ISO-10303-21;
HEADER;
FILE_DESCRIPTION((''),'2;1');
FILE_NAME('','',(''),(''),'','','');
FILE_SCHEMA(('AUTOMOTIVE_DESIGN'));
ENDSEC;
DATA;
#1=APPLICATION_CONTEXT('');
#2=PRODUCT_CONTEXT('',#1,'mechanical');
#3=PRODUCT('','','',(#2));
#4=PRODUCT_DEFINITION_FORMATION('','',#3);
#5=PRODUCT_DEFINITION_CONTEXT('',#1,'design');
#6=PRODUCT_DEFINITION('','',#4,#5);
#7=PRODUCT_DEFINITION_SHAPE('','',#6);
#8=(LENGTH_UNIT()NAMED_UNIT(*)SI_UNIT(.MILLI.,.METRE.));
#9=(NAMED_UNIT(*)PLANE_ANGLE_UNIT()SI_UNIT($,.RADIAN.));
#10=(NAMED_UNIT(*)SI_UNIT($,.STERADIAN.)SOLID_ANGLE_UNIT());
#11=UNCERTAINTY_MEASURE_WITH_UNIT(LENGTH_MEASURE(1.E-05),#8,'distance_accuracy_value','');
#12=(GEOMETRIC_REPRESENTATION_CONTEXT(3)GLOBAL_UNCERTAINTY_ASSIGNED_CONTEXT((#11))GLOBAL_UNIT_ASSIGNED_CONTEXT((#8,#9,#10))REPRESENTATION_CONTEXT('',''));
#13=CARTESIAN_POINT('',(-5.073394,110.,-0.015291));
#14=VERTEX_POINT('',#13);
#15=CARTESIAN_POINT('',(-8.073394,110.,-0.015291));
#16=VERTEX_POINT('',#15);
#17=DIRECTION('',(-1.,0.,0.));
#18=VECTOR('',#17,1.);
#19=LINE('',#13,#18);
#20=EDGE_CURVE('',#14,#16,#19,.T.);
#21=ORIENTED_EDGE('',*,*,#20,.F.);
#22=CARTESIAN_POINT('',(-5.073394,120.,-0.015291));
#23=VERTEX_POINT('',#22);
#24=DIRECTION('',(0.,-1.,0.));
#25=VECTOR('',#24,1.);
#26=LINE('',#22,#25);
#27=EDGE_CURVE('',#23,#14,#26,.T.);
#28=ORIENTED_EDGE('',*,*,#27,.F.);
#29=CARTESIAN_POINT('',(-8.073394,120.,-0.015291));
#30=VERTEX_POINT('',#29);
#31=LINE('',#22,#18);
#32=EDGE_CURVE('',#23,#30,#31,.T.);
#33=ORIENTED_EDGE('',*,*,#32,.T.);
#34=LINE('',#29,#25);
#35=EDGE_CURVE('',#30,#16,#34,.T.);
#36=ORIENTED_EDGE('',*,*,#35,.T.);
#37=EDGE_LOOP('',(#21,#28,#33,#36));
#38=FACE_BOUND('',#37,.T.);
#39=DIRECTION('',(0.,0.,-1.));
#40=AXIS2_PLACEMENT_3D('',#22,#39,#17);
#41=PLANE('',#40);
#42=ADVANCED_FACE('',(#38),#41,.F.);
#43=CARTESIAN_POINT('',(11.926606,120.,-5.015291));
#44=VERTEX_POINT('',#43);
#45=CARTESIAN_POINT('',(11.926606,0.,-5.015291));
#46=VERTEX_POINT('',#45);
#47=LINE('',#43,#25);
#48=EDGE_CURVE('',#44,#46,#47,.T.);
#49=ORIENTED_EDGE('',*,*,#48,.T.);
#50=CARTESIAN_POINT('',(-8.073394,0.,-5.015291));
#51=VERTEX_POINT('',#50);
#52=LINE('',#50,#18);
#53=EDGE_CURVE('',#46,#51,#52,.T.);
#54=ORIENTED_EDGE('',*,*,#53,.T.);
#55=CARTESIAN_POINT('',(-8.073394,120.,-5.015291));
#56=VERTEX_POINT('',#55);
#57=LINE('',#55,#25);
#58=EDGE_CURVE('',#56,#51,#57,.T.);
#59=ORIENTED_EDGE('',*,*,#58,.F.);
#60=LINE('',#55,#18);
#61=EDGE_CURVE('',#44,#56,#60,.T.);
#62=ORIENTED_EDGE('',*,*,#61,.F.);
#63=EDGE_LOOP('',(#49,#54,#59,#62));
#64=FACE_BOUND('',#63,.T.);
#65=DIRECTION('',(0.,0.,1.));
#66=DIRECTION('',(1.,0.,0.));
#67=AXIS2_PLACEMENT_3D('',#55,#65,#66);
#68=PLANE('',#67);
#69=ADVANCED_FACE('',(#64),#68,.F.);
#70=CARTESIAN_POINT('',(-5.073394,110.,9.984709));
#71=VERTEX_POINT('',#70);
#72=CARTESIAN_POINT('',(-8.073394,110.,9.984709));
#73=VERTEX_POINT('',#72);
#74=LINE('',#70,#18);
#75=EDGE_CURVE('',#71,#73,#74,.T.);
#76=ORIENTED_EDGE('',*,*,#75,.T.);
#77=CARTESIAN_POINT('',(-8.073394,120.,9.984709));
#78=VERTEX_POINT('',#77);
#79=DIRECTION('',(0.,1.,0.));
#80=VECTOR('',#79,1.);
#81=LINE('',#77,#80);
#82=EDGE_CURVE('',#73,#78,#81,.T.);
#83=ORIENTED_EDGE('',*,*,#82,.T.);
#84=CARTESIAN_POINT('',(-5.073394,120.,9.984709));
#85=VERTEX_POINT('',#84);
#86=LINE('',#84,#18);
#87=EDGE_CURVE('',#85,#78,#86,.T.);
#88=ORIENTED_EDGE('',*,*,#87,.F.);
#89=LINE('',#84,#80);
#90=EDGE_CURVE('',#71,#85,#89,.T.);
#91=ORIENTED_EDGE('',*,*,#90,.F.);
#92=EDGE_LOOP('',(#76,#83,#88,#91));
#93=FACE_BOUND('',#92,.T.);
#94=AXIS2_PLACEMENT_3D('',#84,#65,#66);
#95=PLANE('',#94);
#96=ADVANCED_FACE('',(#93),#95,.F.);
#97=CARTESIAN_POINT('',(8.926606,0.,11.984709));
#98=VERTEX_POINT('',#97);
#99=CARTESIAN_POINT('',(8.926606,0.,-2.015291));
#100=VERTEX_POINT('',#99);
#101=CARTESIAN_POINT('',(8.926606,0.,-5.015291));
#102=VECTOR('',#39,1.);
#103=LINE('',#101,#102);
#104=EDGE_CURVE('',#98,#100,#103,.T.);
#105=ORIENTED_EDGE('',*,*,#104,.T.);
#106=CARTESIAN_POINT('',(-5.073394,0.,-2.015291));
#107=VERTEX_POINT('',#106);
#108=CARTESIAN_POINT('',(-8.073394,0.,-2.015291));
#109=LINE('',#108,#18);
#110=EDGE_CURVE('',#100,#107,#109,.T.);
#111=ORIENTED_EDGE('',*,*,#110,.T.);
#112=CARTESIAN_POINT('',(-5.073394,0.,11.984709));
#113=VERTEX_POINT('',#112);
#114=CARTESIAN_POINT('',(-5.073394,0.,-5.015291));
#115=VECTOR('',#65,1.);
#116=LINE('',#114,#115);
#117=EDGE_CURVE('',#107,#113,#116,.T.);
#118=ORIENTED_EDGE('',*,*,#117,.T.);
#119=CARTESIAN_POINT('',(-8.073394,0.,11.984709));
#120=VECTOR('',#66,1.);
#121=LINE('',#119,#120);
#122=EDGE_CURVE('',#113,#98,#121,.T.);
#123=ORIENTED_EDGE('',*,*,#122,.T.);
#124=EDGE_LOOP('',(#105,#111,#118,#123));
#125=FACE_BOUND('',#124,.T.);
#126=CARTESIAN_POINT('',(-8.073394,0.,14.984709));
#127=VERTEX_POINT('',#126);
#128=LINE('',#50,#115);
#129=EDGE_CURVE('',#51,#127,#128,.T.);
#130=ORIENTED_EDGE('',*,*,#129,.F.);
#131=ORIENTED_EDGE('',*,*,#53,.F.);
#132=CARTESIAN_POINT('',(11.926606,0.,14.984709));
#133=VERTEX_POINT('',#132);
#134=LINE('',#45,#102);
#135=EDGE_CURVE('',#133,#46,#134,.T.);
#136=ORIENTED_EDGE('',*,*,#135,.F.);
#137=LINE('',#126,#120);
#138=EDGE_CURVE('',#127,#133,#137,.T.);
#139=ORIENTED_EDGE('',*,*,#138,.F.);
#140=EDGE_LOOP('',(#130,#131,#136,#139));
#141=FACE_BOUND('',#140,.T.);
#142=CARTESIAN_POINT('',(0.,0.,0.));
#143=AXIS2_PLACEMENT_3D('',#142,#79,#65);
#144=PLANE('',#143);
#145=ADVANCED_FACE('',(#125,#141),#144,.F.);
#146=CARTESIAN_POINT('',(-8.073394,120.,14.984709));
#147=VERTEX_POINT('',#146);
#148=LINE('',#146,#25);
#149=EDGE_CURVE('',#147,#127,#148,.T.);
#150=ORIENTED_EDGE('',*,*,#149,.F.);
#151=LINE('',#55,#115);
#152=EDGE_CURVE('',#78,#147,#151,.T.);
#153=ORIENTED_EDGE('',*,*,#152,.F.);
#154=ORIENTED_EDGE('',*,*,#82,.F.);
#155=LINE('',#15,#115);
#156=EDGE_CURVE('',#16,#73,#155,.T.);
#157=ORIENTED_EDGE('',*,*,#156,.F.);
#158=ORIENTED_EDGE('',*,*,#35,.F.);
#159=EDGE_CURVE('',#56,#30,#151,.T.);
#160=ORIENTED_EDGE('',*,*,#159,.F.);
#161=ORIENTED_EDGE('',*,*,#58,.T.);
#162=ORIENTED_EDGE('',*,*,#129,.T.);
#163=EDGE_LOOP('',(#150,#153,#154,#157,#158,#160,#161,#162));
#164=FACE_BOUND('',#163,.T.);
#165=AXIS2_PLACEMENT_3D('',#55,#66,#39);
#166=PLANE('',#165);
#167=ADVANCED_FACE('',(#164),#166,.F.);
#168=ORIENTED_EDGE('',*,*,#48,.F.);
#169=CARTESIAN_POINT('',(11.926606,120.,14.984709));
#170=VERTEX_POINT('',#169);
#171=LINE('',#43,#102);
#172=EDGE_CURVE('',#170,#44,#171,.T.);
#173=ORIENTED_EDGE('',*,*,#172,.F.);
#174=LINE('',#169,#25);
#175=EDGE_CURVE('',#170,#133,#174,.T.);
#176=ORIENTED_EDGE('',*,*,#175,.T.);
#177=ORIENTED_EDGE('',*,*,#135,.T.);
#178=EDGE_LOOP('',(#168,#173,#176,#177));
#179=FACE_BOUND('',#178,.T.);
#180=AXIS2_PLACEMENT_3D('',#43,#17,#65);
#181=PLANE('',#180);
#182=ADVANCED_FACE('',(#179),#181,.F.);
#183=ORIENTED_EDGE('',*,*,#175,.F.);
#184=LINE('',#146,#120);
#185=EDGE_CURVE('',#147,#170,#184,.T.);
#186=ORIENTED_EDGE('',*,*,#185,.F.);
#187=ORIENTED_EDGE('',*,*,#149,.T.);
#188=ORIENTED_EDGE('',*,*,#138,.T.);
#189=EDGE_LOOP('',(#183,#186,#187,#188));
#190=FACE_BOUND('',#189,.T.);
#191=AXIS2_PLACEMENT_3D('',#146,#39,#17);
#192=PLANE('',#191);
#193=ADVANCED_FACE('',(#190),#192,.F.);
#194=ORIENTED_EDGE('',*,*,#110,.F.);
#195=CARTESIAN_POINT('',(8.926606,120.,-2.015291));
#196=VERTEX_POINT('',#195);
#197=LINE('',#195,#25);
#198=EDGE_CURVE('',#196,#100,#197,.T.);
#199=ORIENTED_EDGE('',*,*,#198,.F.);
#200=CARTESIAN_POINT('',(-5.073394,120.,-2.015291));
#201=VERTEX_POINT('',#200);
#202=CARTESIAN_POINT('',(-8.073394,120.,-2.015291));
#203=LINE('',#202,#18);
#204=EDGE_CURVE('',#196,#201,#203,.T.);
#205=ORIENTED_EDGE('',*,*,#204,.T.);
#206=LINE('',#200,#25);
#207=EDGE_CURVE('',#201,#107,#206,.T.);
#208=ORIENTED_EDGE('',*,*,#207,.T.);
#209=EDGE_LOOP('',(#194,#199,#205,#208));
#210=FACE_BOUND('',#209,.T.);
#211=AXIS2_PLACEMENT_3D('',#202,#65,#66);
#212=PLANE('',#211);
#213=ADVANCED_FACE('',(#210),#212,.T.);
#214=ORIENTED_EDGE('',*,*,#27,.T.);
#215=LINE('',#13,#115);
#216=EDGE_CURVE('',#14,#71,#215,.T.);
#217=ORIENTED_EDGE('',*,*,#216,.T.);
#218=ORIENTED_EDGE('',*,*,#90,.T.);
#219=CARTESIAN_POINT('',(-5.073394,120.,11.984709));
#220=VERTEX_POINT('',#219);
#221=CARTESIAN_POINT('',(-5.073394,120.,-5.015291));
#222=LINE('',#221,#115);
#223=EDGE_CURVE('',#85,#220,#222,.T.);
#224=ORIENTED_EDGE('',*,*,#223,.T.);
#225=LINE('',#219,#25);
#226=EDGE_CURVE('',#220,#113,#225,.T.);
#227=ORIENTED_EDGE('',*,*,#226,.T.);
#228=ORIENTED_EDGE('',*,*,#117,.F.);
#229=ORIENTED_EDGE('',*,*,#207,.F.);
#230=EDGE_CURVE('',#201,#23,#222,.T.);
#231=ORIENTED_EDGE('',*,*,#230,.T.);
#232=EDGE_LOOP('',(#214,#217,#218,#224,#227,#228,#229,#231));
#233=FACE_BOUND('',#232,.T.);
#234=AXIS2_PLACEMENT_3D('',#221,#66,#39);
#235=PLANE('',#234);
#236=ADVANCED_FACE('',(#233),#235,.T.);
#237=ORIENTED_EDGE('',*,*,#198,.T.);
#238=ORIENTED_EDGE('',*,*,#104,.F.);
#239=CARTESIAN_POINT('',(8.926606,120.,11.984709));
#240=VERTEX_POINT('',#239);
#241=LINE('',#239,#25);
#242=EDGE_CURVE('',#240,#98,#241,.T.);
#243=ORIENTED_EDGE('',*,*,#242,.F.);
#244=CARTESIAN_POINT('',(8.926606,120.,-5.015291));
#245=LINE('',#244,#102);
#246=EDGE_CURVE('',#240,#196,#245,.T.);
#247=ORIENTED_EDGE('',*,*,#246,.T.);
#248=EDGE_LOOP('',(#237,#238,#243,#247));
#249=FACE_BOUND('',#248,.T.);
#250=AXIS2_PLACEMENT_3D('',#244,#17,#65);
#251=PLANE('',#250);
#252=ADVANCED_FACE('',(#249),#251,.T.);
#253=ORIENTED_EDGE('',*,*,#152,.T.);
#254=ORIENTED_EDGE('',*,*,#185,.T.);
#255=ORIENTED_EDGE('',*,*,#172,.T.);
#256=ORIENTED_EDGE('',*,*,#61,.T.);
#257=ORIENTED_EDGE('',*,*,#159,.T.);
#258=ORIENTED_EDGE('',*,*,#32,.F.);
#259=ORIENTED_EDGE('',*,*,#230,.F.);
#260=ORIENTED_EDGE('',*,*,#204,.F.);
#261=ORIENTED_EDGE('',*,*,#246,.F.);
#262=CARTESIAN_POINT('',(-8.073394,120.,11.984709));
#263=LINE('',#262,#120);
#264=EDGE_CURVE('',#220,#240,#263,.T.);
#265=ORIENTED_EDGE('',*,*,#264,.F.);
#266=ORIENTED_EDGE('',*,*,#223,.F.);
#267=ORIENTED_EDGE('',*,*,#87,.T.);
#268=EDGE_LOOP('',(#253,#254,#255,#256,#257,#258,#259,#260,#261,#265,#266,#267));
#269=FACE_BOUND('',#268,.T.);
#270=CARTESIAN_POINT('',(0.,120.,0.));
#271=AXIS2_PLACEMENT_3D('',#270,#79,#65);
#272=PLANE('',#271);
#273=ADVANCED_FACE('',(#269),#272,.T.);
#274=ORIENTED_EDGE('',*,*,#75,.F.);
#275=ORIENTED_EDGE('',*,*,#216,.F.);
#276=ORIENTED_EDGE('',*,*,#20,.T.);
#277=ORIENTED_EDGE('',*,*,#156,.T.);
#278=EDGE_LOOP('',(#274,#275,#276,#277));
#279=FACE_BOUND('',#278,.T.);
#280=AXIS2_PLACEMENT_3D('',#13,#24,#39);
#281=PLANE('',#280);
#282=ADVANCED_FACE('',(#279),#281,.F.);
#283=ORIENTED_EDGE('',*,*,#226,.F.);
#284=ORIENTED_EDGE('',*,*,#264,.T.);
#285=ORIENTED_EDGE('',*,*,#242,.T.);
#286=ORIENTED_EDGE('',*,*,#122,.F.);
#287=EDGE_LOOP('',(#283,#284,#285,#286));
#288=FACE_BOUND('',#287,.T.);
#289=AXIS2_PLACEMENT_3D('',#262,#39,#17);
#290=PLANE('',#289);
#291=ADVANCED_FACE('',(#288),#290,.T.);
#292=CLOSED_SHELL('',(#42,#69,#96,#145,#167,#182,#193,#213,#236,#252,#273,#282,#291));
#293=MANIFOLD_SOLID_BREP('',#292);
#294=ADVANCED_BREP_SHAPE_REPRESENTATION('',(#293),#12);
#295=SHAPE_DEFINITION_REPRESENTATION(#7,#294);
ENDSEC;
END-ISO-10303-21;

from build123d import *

# Parameters (mm, degrees)
SKETCH1_W           = 20
SKETCH1_H           = 20
BOSS_EXTRUDE1_DEPTH = 120
SHELL1_T            = -3
SKETCH2_W           = 10
SKETCH2_H           = 10
CUT_EXTRUDE1_DEPTH  = 3


with BuildPart() as part:
    # Sketch1 → Boss-Extrude1 (new body)
    with BuildSketch(Plane(origin=(0, 0, 0), x_dir=(1, 0, 0), z_dir=(0, 1, 0))):
        with Locations((1.926605505, -4.98470948)):
            Rectangle(SKETCH1_W, SKETCH1_H)
    extrude(amount=BOSS_EXTRUDE1_DEPTH)

    # Shell1
    shell1_openings = [part.faces().sort_by_distance(p)[0] for p in [
        (1.926605505, 120, 4.98470948),
        (1.926605505, 0, 4.98470948),
    ]]
    offset(amount=SHELL1_T, openings=shell1_openings, kind=Kind.INTERSECTION)

    # Sketch2 → Cut-Extrude1 (cut)
    with BuildSketch(Plane.ZY.offset(8.073394495)):
        with Locations((4.98470948, 115)):
            Rectangle(SKETCH2_W, SKETCH2_H)
    extrude(amount=-CUT_EXTRUDE1_DEPTH, mode=Mode.SUBTRACT)


solid = part.part
